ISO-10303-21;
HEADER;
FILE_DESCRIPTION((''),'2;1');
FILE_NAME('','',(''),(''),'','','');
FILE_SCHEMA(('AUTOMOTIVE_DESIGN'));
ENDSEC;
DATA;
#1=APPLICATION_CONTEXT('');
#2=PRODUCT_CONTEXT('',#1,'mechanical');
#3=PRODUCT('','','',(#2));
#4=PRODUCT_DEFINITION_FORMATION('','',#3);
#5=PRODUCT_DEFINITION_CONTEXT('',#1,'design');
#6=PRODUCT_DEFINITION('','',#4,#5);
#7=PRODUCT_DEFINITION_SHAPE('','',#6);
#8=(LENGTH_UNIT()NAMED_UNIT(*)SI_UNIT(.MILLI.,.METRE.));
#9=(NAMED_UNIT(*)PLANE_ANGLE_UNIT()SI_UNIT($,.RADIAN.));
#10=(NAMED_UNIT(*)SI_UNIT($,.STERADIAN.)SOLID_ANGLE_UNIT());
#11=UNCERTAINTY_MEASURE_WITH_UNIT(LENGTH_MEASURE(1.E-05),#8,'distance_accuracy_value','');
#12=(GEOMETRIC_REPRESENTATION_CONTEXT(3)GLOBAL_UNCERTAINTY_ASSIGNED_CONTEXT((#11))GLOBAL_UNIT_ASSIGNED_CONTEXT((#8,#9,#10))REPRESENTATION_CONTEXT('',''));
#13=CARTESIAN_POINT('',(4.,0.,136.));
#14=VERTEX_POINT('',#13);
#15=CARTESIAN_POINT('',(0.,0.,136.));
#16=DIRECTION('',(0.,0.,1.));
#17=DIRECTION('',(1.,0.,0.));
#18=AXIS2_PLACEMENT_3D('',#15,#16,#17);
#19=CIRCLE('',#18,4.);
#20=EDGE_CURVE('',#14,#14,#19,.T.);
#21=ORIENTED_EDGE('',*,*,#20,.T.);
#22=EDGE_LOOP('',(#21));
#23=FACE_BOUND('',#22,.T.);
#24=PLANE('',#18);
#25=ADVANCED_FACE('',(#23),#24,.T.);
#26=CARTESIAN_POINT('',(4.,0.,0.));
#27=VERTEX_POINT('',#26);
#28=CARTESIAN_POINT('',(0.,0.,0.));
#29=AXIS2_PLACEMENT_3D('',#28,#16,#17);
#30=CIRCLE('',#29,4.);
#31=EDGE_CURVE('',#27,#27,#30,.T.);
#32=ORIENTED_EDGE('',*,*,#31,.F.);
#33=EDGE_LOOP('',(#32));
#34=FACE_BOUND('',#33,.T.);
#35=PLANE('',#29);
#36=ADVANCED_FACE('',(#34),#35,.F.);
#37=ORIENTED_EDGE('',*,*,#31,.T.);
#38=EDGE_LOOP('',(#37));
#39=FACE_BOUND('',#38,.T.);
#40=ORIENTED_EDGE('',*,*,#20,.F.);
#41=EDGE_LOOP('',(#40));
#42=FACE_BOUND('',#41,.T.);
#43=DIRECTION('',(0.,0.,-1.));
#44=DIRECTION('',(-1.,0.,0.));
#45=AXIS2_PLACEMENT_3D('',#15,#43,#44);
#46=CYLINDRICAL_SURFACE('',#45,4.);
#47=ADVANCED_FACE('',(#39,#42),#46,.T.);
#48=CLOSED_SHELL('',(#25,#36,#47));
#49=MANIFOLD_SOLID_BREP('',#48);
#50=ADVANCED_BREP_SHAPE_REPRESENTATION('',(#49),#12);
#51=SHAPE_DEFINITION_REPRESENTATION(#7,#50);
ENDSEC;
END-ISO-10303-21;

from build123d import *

# Parameters (mm, degrees)
SKETCH1_R           = 4
BOSS_EXTRUDE1_DEPTH = 136


with BuildPart() as part:
    # Sketch1 → Boss-Extrude1 (new body)
    with BuildSketch(Plane.XY):
        Circle(SKETCH1_R)
    extrude(amount=BOSS_EXTRUDE1_DEPTH)


solid = part.part
